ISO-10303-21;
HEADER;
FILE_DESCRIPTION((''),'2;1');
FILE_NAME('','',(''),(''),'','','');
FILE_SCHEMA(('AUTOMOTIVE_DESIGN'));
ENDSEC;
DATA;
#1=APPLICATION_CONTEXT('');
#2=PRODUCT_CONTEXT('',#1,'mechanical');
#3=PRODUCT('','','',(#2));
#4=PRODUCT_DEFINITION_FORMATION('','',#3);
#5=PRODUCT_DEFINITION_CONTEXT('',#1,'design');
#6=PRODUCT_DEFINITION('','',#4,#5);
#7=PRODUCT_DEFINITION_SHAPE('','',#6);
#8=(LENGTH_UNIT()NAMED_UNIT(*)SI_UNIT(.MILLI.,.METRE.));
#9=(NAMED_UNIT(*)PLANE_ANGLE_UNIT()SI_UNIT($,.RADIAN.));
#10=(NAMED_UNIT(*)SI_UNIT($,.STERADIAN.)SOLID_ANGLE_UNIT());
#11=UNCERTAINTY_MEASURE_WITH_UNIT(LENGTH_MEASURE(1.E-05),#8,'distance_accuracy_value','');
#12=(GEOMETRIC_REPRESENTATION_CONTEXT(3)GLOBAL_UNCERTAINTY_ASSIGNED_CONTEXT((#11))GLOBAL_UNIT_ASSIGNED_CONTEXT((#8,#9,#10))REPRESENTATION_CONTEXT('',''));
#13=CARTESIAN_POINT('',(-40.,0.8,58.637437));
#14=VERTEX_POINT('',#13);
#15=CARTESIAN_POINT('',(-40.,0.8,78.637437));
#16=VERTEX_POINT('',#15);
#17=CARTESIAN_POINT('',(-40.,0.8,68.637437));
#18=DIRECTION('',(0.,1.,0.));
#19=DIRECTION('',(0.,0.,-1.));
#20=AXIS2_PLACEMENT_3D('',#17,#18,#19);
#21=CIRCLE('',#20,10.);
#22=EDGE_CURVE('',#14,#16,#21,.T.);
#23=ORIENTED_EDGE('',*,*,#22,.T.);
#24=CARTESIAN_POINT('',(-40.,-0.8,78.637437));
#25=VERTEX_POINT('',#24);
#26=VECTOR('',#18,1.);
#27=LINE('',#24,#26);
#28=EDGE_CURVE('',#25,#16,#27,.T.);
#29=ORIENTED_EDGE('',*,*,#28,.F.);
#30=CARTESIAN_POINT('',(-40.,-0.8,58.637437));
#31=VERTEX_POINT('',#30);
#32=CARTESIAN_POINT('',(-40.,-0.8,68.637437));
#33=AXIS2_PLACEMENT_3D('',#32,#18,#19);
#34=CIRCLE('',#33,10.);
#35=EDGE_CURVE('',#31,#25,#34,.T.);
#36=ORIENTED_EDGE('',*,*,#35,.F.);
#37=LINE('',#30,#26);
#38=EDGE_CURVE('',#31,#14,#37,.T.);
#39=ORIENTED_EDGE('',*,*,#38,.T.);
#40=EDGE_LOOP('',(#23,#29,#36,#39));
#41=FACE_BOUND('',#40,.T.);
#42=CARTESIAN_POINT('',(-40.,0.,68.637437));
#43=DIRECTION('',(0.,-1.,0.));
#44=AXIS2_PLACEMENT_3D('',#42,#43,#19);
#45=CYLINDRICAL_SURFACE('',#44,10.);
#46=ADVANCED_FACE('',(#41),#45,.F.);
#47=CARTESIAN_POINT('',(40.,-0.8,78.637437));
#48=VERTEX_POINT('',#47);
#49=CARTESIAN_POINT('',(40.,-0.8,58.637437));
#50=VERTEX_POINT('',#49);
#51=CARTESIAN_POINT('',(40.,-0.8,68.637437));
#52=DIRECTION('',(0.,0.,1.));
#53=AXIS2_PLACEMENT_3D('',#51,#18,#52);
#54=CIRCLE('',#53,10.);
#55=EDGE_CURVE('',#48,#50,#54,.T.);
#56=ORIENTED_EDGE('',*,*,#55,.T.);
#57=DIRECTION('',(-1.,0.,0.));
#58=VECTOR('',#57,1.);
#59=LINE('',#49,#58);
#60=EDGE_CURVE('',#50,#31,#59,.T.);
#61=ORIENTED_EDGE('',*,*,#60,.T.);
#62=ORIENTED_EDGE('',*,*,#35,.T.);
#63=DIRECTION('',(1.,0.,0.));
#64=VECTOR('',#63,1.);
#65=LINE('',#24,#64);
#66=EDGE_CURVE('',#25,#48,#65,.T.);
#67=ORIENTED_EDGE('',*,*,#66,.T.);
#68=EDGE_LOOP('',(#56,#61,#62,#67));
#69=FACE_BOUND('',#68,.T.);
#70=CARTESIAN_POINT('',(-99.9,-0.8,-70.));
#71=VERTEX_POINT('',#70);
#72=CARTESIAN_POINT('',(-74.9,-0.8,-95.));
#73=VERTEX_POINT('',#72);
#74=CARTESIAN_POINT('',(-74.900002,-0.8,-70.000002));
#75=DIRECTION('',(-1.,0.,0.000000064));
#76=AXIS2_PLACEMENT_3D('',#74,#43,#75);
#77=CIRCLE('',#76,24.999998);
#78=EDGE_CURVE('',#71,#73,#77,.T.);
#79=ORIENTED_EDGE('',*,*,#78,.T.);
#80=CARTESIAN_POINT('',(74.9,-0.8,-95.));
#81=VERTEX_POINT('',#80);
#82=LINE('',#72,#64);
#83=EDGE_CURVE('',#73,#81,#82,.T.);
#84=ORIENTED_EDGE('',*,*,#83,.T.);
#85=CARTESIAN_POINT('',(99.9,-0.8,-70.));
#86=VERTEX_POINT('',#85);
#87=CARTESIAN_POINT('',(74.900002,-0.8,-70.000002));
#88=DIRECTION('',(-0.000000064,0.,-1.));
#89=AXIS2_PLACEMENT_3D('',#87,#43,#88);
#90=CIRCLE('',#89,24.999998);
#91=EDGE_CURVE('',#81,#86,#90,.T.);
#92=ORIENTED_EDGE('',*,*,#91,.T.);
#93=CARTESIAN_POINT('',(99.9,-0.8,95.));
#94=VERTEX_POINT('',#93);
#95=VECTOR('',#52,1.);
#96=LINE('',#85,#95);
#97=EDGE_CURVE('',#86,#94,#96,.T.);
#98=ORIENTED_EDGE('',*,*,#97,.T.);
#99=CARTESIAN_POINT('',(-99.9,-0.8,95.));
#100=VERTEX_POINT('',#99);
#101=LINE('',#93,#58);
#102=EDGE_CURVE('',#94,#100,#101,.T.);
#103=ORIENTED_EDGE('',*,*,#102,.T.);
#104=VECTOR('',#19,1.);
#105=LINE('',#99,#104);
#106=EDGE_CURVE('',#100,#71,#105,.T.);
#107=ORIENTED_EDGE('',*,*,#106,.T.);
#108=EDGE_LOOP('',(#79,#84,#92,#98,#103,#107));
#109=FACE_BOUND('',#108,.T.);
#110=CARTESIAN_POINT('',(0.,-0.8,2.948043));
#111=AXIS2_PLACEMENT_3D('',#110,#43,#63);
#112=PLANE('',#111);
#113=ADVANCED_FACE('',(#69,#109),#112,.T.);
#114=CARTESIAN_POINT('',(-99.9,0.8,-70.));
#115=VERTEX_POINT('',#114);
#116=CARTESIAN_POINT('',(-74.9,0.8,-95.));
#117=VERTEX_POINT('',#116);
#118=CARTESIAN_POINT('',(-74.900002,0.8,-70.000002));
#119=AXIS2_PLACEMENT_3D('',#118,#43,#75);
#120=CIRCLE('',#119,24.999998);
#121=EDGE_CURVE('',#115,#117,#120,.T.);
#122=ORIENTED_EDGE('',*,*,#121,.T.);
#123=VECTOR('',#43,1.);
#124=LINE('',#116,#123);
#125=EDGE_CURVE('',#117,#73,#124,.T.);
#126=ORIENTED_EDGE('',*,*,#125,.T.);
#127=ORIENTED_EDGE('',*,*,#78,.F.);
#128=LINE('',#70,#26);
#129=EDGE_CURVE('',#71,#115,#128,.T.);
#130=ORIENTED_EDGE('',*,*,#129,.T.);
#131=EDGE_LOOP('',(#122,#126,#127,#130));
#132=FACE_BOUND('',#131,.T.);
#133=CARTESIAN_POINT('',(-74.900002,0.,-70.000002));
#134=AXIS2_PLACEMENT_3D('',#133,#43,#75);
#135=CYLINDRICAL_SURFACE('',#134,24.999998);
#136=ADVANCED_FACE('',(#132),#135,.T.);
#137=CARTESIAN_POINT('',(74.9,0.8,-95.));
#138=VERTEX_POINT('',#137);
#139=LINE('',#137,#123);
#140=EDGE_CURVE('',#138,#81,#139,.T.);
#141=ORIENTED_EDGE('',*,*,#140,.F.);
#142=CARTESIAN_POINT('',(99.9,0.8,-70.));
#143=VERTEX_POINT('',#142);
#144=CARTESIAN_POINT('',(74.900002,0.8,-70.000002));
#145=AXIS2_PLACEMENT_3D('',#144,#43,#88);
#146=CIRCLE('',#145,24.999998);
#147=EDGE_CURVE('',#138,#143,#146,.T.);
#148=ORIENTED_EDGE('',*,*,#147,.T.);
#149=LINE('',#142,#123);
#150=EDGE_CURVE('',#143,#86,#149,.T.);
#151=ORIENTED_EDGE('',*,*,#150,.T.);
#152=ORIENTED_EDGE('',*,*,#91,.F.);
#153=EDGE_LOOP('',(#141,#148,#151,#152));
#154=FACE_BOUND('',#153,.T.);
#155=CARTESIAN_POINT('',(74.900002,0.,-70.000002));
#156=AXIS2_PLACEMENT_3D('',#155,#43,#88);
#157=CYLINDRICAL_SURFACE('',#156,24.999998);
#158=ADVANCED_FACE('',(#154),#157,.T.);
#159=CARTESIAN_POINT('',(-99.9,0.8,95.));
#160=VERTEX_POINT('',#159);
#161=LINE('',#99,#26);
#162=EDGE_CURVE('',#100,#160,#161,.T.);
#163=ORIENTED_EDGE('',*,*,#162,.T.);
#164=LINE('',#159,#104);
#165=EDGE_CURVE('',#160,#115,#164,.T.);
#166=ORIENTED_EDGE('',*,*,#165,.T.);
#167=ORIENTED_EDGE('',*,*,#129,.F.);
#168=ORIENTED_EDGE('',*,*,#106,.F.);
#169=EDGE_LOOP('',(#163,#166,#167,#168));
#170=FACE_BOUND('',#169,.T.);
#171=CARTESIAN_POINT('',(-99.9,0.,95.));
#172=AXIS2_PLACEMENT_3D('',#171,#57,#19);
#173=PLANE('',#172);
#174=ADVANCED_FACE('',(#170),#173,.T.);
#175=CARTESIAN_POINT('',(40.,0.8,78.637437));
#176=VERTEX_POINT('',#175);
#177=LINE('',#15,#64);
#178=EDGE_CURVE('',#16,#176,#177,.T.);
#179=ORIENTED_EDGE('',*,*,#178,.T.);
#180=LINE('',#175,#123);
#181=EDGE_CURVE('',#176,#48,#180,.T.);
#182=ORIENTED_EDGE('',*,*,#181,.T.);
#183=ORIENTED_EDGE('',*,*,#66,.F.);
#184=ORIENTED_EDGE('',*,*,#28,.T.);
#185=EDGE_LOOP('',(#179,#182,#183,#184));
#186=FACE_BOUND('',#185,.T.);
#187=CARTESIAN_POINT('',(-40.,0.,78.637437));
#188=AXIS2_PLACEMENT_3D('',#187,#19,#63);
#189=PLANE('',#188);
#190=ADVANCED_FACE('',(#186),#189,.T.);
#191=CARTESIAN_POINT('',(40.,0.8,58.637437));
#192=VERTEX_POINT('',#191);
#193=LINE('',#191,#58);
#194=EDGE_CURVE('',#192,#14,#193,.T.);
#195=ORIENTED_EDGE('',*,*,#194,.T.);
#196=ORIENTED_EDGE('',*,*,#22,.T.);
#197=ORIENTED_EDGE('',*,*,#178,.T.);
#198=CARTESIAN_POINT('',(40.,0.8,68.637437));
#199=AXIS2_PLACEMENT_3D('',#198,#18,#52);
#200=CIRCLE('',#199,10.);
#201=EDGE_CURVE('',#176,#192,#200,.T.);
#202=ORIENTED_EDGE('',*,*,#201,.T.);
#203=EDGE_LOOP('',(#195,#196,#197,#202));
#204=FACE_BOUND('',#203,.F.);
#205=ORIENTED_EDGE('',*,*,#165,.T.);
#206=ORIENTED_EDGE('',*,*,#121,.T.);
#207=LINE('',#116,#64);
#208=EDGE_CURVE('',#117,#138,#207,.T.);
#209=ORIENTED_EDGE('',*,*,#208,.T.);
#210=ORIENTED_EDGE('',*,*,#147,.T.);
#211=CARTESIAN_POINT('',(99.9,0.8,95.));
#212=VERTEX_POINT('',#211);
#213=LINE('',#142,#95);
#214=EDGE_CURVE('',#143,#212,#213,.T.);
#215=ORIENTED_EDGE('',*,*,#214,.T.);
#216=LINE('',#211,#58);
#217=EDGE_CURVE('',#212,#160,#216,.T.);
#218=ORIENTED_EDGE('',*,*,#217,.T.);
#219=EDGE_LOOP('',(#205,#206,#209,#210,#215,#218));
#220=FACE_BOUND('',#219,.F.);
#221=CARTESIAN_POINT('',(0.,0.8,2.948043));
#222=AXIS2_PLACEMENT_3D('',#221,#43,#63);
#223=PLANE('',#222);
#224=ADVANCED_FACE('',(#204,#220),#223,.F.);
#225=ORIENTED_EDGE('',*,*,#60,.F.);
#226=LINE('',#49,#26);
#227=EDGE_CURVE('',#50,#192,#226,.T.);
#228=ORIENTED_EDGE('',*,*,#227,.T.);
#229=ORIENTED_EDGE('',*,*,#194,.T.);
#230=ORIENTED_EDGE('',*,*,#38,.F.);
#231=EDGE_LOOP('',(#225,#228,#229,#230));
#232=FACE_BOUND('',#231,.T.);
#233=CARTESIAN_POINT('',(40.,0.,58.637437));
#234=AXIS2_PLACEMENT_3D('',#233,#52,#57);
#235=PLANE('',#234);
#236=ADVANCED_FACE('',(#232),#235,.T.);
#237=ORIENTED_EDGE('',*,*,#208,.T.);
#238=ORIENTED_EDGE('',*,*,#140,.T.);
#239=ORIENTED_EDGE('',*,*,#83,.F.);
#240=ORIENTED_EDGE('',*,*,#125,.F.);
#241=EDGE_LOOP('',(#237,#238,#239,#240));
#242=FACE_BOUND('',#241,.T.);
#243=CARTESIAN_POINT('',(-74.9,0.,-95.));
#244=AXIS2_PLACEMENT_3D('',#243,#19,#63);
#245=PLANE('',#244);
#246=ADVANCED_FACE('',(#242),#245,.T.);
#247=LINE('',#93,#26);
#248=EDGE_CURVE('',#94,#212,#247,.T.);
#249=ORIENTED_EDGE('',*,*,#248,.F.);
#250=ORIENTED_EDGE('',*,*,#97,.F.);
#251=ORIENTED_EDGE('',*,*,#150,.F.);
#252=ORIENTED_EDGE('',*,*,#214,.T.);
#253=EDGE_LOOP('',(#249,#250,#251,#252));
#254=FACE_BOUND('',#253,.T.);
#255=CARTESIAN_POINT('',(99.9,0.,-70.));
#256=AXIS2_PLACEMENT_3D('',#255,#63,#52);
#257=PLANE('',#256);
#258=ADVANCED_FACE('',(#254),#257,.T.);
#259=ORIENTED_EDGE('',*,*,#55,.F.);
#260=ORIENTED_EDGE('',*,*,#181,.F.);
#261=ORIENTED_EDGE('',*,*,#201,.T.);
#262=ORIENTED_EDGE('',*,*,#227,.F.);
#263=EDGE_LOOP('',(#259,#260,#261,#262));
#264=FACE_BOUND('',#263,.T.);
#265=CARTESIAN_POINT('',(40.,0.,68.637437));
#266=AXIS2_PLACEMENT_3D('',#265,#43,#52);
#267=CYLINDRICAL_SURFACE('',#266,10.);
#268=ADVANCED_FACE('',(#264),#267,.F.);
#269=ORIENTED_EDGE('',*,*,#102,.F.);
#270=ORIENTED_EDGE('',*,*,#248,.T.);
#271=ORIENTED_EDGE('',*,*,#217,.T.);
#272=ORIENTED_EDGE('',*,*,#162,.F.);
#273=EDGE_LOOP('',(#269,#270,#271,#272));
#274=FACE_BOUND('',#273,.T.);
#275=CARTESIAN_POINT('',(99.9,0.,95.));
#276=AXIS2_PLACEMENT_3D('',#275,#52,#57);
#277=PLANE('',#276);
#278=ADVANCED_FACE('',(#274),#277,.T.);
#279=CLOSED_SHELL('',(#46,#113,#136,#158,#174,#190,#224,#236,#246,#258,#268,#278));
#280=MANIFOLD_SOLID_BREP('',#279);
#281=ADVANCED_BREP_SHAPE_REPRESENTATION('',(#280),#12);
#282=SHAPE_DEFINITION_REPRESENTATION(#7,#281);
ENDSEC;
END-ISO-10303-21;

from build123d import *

# Parameters (mm, degrees)
F1_DEPTH = 0.8


with BuildPart() as f1:
    # F0 (on Front) → F1 (new body, symmetric)
    with BuildSketch(Plane.XZ):
        with BuildLine():
            ThreePointArc((-99.9, -70), (-92.57767, -87.67767), (-74.9, -95))
            Line((-74.9, -95), (74.9, -95))
            ThreePointArc((74.9, -95), (92.57767, -87.67767), (99.9, -70))
            Line((99.9, -70), (99.9, 95))
            Line((99.9, 95), (-99.9, 95))
            Line((-99.9, 95), (-99.9, -70))
        make_face()
        with BuildLine():
            ThreePointArc((40, 78.637437), (50, 68.637437), (40, 58.637437))
            Line((40, 58.637437), (0, 58.637437))
            Line((0, 58.637437), (-40, 58.637437))
            ThreePointArc((-40, 58.637437), (-50, 68.637437), (-40, 78.637437))
            Line((-40, 78.637437), (0, 78.637437))
            Line((0, 78.637437), (40, 78.637437))
        make_face(mode=Mode.SUBTRACT)
    extrude(amount=F1_DEPTH, both=True)


solid = f1.part
